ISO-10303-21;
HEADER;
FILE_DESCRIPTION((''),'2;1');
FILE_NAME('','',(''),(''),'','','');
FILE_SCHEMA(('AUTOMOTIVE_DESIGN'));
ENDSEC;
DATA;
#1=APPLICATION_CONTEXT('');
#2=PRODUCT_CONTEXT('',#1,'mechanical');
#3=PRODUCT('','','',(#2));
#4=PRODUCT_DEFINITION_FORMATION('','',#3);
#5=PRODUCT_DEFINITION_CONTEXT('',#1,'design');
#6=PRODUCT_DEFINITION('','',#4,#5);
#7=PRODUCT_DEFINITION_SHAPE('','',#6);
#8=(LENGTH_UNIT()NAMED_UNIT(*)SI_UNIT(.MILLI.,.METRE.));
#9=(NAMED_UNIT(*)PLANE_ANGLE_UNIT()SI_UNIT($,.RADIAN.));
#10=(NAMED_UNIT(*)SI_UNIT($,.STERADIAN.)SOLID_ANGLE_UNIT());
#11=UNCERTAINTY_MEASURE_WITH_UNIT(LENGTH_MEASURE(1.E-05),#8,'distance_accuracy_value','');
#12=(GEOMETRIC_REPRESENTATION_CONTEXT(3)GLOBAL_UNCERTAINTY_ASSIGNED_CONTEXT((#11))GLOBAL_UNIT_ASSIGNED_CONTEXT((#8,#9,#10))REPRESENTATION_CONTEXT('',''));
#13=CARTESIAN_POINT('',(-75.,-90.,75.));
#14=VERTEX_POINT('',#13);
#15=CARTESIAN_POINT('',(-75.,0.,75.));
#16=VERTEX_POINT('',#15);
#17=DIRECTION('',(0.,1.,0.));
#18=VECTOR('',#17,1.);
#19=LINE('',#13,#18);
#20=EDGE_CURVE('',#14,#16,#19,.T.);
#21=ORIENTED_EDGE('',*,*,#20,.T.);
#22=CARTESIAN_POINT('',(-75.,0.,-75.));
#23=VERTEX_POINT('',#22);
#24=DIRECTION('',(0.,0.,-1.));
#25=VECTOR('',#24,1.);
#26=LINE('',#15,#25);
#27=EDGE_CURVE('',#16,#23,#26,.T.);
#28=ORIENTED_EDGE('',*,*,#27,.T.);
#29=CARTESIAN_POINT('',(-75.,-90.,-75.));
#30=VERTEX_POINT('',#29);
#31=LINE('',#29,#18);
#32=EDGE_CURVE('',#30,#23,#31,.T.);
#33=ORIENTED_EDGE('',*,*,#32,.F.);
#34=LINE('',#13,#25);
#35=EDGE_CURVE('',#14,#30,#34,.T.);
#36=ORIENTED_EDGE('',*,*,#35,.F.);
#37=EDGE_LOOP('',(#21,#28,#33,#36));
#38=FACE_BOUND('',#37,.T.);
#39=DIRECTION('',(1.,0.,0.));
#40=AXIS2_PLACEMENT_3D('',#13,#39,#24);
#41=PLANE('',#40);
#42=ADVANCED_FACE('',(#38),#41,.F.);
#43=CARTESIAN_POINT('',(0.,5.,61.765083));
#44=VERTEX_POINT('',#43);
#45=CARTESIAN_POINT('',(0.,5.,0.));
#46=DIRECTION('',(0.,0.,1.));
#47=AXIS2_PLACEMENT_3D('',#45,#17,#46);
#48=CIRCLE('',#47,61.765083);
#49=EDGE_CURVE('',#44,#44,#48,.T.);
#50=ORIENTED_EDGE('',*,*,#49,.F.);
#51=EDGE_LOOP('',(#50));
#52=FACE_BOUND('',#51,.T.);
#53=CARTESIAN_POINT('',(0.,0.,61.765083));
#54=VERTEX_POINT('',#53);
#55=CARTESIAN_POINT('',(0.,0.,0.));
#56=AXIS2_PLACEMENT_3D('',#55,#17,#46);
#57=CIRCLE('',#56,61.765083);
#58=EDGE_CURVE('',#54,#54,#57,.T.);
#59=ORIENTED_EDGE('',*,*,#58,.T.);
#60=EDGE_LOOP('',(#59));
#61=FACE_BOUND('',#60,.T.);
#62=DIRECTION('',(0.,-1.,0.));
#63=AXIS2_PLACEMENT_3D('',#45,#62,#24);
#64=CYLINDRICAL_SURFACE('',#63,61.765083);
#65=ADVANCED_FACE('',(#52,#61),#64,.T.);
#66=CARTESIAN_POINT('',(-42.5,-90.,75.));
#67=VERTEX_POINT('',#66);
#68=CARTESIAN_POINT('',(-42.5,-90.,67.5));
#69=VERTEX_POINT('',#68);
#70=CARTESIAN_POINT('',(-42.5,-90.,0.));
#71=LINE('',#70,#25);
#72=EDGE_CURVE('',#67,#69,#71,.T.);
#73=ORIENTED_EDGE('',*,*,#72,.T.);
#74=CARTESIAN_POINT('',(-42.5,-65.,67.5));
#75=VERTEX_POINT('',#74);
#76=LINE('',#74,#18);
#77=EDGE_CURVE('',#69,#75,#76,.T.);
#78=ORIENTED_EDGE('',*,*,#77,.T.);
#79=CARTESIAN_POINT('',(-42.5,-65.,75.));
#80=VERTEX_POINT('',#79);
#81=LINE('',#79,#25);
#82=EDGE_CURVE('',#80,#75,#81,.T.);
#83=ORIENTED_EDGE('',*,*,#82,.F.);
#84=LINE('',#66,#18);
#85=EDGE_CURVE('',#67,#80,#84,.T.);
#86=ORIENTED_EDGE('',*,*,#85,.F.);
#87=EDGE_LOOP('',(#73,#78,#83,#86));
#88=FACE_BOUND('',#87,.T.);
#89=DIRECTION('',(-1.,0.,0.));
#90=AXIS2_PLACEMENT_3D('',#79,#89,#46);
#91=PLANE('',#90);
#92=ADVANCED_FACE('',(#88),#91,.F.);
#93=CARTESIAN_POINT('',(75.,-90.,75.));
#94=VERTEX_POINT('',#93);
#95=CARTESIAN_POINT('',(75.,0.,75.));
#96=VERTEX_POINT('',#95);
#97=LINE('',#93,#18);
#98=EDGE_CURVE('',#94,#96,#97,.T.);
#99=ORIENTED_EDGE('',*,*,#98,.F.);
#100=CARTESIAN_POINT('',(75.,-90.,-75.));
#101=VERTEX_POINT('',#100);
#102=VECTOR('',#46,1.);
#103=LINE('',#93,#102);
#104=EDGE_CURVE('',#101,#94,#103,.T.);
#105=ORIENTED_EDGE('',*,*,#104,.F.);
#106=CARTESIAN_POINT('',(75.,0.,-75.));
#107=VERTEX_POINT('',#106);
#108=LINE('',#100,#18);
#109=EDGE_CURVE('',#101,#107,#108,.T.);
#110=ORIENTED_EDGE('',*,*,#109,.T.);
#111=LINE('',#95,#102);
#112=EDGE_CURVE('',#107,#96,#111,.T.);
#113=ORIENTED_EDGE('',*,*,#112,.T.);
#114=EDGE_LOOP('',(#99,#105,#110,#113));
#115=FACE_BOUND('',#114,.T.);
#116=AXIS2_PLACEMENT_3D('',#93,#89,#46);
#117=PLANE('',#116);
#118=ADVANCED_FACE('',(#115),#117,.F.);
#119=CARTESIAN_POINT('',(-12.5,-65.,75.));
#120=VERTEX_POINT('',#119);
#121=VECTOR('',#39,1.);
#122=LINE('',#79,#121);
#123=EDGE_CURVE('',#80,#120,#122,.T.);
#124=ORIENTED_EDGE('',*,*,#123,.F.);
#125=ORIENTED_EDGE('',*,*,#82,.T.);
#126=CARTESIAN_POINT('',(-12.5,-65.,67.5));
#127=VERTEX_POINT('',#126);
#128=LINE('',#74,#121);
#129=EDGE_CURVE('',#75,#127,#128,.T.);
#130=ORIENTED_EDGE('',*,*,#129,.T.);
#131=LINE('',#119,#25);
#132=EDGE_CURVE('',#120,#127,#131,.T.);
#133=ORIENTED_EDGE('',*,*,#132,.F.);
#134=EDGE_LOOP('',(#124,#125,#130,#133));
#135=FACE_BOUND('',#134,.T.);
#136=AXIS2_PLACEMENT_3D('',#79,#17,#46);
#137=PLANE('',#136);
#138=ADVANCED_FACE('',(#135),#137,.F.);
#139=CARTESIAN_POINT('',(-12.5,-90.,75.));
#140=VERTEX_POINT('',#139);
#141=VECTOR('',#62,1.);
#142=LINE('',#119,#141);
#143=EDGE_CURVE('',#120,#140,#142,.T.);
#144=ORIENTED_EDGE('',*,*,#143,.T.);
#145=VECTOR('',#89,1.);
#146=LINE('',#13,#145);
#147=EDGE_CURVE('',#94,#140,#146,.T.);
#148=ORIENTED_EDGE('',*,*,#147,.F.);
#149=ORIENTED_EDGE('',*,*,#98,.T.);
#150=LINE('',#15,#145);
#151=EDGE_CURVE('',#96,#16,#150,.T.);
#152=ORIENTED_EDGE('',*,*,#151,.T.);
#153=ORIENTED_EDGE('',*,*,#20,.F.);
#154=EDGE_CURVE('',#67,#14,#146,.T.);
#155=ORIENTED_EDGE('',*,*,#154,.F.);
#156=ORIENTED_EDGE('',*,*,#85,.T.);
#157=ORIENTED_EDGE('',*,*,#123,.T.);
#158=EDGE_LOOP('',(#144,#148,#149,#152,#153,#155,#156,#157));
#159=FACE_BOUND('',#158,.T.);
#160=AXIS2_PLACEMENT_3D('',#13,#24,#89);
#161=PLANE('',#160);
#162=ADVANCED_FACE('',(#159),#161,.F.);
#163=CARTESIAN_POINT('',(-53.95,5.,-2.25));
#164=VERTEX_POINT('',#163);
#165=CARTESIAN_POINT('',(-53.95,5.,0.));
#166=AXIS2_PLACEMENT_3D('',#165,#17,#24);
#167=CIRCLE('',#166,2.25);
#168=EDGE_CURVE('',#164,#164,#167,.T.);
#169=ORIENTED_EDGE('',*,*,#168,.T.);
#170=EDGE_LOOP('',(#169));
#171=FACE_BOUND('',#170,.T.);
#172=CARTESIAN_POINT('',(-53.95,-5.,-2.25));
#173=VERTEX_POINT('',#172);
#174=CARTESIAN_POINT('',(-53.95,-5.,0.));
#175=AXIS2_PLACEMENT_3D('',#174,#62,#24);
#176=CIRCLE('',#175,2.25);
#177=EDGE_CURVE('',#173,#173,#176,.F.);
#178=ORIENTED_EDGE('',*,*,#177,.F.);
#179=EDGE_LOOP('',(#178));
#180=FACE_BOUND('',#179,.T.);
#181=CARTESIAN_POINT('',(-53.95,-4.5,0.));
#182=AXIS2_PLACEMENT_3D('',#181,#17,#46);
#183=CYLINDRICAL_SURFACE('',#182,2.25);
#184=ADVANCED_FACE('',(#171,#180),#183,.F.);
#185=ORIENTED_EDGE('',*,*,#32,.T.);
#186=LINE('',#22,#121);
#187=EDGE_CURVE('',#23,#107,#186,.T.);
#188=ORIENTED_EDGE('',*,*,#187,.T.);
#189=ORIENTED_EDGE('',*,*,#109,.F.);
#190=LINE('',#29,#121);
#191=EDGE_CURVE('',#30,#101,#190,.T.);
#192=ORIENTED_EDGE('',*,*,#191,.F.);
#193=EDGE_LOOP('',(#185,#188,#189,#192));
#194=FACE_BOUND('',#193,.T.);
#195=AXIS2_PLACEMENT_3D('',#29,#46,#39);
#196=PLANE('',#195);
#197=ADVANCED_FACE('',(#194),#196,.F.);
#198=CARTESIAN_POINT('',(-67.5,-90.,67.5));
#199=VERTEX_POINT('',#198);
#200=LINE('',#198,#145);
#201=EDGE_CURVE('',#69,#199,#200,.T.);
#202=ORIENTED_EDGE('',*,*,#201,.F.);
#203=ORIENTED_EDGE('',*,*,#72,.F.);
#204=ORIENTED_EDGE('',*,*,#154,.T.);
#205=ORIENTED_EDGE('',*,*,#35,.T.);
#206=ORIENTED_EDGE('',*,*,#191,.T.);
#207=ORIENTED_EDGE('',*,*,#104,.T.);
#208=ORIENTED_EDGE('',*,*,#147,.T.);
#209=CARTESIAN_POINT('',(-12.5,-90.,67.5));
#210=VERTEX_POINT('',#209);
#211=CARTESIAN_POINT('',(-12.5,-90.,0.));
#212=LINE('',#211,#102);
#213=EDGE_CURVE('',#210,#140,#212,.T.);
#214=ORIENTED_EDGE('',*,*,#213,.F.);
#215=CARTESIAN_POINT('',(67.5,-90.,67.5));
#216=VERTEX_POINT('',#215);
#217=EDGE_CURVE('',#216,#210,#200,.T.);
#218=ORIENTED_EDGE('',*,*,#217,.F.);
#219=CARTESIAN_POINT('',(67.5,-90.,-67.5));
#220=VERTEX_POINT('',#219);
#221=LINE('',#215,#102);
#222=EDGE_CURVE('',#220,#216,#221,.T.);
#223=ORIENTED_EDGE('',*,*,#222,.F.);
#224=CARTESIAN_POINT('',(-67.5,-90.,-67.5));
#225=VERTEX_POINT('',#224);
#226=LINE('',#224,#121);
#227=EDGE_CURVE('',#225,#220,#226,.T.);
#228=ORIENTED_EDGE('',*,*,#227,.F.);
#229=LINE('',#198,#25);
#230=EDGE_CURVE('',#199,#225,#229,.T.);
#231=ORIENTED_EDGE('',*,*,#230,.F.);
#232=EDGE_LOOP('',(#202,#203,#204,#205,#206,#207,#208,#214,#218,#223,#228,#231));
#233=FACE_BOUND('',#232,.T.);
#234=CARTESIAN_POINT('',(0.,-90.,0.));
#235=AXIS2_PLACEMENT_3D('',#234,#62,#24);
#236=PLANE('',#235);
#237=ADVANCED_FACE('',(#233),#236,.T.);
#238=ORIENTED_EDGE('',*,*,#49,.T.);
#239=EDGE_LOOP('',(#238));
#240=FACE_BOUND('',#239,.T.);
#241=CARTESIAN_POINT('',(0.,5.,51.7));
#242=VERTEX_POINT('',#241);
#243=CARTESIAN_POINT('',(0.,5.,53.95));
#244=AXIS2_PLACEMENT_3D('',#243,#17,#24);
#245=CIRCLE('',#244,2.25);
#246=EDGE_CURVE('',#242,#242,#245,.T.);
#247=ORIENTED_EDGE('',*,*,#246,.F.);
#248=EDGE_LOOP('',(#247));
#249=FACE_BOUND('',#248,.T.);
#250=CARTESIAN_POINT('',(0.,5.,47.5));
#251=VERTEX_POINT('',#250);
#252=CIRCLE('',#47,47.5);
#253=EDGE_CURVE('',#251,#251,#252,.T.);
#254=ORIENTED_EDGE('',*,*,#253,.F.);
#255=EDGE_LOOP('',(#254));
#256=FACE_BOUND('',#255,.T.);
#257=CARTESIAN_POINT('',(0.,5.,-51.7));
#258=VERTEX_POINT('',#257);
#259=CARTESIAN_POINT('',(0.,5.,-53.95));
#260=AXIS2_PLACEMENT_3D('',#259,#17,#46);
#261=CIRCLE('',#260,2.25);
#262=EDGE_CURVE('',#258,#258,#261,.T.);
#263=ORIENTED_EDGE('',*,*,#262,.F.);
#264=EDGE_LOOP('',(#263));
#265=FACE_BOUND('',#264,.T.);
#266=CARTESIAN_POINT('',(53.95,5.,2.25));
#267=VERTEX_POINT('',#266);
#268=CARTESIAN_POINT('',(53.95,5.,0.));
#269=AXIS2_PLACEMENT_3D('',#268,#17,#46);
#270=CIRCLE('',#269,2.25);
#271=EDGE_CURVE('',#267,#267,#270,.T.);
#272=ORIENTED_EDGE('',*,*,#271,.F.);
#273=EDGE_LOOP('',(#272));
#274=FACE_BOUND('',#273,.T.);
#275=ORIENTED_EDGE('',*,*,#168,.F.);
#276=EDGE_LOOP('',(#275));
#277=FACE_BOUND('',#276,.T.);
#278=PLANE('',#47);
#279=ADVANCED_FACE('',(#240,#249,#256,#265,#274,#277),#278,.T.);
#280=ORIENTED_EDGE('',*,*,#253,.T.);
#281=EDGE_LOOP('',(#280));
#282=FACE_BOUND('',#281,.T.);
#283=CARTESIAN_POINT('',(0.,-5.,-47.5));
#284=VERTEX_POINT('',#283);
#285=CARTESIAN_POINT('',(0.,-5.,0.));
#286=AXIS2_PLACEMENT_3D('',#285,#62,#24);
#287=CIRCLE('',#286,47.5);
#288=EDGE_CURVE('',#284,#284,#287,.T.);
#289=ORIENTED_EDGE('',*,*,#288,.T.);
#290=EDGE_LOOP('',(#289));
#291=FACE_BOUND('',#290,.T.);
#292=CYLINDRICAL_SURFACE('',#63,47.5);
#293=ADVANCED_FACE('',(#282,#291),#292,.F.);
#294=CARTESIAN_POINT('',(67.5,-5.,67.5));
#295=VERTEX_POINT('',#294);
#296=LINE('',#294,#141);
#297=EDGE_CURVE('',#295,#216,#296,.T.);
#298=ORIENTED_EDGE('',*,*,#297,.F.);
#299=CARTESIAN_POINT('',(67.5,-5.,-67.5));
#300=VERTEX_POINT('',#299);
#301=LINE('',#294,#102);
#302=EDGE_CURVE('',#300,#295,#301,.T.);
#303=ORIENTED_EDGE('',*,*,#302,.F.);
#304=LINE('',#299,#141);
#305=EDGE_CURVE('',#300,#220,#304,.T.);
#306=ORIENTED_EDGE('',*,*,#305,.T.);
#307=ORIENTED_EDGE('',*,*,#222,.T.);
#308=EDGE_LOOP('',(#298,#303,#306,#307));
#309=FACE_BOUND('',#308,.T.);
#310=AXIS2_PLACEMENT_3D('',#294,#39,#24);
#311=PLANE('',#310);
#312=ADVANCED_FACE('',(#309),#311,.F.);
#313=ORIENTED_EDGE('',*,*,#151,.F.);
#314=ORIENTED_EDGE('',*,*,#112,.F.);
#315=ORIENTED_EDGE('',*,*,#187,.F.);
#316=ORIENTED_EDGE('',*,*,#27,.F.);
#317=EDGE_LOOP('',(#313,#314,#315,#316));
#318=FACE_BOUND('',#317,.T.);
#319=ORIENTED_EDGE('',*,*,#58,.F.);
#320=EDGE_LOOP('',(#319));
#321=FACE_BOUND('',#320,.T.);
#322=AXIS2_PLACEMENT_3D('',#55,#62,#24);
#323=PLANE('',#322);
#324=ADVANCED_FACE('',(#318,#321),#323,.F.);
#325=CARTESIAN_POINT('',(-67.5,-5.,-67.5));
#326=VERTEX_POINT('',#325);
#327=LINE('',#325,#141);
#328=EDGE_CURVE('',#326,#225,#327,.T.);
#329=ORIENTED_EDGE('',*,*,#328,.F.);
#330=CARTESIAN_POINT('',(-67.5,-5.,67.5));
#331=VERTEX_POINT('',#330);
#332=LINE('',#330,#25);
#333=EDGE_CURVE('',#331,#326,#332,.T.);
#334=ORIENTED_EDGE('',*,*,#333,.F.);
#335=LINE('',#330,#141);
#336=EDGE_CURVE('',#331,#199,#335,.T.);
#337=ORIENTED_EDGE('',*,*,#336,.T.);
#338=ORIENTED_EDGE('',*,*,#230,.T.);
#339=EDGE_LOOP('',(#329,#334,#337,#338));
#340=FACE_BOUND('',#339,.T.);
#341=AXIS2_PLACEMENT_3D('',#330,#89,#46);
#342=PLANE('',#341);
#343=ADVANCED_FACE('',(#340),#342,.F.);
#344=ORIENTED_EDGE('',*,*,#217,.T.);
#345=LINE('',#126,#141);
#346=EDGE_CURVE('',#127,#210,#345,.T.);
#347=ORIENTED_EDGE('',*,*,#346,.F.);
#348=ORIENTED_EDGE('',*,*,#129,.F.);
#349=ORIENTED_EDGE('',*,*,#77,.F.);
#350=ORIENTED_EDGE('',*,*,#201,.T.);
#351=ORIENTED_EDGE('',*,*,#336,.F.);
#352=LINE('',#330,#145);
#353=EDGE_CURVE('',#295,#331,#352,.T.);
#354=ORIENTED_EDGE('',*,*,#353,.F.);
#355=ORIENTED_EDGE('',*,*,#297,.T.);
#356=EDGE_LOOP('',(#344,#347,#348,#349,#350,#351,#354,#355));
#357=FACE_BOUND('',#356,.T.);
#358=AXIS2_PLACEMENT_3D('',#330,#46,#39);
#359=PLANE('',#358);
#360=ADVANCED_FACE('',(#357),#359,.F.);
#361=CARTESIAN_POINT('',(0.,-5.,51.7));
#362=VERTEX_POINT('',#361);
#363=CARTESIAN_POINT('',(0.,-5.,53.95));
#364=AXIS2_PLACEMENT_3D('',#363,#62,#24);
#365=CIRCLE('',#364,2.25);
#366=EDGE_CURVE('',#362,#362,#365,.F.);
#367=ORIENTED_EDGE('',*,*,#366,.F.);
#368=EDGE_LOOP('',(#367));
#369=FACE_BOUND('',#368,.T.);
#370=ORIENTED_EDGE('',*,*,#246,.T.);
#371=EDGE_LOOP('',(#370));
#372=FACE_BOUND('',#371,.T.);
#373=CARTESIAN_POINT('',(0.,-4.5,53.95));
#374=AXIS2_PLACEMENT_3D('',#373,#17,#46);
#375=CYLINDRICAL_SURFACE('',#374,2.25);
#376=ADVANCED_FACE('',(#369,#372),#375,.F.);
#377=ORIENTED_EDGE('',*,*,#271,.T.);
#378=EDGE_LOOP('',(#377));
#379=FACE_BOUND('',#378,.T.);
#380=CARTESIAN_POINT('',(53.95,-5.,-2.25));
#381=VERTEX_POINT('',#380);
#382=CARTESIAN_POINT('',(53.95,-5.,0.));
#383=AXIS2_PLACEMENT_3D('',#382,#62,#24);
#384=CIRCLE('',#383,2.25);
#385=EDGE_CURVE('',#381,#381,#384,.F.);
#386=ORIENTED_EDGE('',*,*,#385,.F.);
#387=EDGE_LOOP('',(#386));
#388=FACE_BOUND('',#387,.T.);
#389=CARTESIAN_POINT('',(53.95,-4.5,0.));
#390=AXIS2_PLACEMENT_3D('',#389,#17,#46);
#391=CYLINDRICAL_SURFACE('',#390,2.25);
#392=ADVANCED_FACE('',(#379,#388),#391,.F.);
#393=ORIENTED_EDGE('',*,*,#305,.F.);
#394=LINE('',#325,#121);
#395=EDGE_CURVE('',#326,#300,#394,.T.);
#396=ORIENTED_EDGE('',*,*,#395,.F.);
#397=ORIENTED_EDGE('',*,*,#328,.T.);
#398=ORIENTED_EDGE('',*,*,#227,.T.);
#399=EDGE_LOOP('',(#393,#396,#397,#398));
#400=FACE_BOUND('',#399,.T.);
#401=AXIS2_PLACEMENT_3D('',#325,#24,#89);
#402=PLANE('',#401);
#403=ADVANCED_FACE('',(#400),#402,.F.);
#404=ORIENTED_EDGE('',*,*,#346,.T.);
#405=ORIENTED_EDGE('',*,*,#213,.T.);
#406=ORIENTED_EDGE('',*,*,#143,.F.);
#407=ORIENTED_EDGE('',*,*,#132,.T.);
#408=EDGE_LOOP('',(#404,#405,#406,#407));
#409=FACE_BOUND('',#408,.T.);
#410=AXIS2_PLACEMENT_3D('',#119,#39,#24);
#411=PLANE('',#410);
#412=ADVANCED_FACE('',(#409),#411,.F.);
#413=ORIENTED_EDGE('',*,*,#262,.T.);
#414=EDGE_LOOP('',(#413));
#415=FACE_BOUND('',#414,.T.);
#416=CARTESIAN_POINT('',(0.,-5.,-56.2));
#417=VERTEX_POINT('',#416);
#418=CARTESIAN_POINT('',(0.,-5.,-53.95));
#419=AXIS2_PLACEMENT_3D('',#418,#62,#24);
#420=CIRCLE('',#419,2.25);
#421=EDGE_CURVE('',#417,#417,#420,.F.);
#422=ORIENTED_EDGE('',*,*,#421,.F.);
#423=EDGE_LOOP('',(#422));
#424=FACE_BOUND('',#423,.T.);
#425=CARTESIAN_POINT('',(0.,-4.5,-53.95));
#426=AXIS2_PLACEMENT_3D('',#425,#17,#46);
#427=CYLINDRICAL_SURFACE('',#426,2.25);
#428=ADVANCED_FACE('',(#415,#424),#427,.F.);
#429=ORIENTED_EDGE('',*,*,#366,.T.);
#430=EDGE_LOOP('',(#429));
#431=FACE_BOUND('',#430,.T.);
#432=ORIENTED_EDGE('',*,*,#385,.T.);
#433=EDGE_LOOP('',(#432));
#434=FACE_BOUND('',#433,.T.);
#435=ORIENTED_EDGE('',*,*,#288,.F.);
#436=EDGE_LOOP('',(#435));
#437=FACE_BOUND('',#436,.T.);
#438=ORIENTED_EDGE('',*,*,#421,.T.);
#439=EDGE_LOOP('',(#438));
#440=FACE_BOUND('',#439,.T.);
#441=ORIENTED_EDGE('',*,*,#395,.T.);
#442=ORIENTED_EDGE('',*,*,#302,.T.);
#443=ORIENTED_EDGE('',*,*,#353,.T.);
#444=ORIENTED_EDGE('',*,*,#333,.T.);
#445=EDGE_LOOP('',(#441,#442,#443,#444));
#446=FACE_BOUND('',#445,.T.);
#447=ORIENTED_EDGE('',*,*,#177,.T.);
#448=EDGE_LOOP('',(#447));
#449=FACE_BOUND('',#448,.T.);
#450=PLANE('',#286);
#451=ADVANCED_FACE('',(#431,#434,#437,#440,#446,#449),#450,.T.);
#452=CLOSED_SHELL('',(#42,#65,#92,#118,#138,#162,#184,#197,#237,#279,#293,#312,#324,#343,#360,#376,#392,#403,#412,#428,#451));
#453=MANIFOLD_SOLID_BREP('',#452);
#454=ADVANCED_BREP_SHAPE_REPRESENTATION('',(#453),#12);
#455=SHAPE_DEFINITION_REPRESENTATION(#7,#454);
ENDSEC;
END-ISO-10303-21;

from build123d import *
from build123d.topology import SkipClean

# Parameters (mm, degrees)
SKETCH1_R           = 61.765082955
SKETCH1_R_2         = 47.5
BOSS_EXTRUDE1_DEPTH = 5
SKETCH7_R           = 2.25
CUT_EXTRUDE1_DEPTH  = 9.5
SKETCH9_W           = 150
SKETCH9_H           = 150
SKETCH9_R           = 2.25
SKETCH9_R_2         = 47.5
BOSS_EXTRUDE2_DEPTH = 90
CUT_EXTRUDE2_DEPTH  = 60
SKETCH10_W          = 135
SKETCH10_H          = 135
CUT_EXTRUDE4_DEPTH  = 85


with BuildPart() as part:
    # Sketch1 → Boss-Extrude1 (new body)
    with BuildSketch(Plane(origin=(0, 0, 0), x_dir=(1, 0, 0), z_dir=(0, 1, 0))):
        with Locations(Location((0, 0, 0), (0, 0, 270))):
            Circle(SKETCH1_R)
        with Locations(Location((0, 0, 0), (0, 0, 270))):
            Circle(SKETCH1_R_2, mode=Mode.SUBTRACT)
    extrude(amount=BOSS_EXTRUDE1_DEPTH)

    # Sketch7 → Cut-Extrude1 (cut)
    with BuildSketch(Plane(origin=(0, 5, 0), x_dir=(1, 0, 0), z_dir=(0, 1, 0))):
        with Locations(Location((0, 53.95, 0), (0, 0, 270))):
            Circle(SKETCH7_R)
        with Locations(Location((0, -53.95, 0), (0, 0, 270))):
            Circle(SKETCH7_R)
        with Locations(Location((53.95, 0, 0), (0, 0, 270))):
            Circle(SKETCH7_R)
        with Locations(Location((-53.95, 0, 0), (0, 0, 270))):
            Circle(SKETCH7_R)
    extrude(amount=-CUT_EXTRUDE1_DEPTH, mode=Mode.SUBTRACT)

    # Sketch9 → Boss-Extrude2 (add)
    with SkipClean():  # the faces are left unmerged after this step: merging them gives an invalid solid
        with BuildSketch(Plane(origin=(0, 0, 0), x_dir=(-1, 0, 0), z_dir=(0, -1, 0))):
            Rectangle(SKETCH9_W, SKETCH9_H)
            with Locations(Location((0, -53.95, 0), (0, 0, 90))):
                Circle(SKETCH9_R, mode=Mode.SUBTRACT)
            with Locations(Location((53.95, 0, 0), (0, 0, 90))):
                Circle(SKETCH9_R, mode=Mode.SUBTRACT)
            with Locations(Location((0, 53.95, 0), (0, 0, 270))):
                Circle(SKETCH9_R, mode=Mode.SUBTRACT)
            with Locations(Location((-53.95, 0, 0), (0, 0, 270))):
                Circle(SKETCH9_R, mode=Mode.SUBTRACT)
            with Locations(Location((0, 0, 0), (0, 0, 90))):
                Circle(SKETCH9_R_2, mode=Mode.SUBTRACT)
        extrude(amount=BOSS_EXTRUDE2_DEPTH)

    # 3DSketch2 → Cut-Extrude2 (cut)
    with SkipClean():  # the faces are left unmerged after this step: merging them gives an invalid solid
        with BuildSketch(Plane(origin=(-42.5, -65, 75), x_dir=(0.7071067811865476, -0.7071067811865476, 0), z_dir=(0, 0, 1))):
            Polygon((0, 0), (21.213203436, 21.213203436), (42.426406871, 0), (21.213203436, -21.213203436), align=None)
        extrude(amount=-CUT_EXTRUDE2_DEPTH, mode=Mode.SUBTRACT)

    # Sketch10 → Cut-Extrude4 (cut)
    with SkipClean():  # the faces are left unmerged after this step: merging them gives an invalid solid
        with BuildSketch(Plane.XZ.offset(90)):
            Rectangle(SKETCH10_W, SKETCH10_H)
        extrude(amount=-CUT_EXTRUDE4_DEPTH, mode=Mode.SUBTRACT)


solid = part.part
